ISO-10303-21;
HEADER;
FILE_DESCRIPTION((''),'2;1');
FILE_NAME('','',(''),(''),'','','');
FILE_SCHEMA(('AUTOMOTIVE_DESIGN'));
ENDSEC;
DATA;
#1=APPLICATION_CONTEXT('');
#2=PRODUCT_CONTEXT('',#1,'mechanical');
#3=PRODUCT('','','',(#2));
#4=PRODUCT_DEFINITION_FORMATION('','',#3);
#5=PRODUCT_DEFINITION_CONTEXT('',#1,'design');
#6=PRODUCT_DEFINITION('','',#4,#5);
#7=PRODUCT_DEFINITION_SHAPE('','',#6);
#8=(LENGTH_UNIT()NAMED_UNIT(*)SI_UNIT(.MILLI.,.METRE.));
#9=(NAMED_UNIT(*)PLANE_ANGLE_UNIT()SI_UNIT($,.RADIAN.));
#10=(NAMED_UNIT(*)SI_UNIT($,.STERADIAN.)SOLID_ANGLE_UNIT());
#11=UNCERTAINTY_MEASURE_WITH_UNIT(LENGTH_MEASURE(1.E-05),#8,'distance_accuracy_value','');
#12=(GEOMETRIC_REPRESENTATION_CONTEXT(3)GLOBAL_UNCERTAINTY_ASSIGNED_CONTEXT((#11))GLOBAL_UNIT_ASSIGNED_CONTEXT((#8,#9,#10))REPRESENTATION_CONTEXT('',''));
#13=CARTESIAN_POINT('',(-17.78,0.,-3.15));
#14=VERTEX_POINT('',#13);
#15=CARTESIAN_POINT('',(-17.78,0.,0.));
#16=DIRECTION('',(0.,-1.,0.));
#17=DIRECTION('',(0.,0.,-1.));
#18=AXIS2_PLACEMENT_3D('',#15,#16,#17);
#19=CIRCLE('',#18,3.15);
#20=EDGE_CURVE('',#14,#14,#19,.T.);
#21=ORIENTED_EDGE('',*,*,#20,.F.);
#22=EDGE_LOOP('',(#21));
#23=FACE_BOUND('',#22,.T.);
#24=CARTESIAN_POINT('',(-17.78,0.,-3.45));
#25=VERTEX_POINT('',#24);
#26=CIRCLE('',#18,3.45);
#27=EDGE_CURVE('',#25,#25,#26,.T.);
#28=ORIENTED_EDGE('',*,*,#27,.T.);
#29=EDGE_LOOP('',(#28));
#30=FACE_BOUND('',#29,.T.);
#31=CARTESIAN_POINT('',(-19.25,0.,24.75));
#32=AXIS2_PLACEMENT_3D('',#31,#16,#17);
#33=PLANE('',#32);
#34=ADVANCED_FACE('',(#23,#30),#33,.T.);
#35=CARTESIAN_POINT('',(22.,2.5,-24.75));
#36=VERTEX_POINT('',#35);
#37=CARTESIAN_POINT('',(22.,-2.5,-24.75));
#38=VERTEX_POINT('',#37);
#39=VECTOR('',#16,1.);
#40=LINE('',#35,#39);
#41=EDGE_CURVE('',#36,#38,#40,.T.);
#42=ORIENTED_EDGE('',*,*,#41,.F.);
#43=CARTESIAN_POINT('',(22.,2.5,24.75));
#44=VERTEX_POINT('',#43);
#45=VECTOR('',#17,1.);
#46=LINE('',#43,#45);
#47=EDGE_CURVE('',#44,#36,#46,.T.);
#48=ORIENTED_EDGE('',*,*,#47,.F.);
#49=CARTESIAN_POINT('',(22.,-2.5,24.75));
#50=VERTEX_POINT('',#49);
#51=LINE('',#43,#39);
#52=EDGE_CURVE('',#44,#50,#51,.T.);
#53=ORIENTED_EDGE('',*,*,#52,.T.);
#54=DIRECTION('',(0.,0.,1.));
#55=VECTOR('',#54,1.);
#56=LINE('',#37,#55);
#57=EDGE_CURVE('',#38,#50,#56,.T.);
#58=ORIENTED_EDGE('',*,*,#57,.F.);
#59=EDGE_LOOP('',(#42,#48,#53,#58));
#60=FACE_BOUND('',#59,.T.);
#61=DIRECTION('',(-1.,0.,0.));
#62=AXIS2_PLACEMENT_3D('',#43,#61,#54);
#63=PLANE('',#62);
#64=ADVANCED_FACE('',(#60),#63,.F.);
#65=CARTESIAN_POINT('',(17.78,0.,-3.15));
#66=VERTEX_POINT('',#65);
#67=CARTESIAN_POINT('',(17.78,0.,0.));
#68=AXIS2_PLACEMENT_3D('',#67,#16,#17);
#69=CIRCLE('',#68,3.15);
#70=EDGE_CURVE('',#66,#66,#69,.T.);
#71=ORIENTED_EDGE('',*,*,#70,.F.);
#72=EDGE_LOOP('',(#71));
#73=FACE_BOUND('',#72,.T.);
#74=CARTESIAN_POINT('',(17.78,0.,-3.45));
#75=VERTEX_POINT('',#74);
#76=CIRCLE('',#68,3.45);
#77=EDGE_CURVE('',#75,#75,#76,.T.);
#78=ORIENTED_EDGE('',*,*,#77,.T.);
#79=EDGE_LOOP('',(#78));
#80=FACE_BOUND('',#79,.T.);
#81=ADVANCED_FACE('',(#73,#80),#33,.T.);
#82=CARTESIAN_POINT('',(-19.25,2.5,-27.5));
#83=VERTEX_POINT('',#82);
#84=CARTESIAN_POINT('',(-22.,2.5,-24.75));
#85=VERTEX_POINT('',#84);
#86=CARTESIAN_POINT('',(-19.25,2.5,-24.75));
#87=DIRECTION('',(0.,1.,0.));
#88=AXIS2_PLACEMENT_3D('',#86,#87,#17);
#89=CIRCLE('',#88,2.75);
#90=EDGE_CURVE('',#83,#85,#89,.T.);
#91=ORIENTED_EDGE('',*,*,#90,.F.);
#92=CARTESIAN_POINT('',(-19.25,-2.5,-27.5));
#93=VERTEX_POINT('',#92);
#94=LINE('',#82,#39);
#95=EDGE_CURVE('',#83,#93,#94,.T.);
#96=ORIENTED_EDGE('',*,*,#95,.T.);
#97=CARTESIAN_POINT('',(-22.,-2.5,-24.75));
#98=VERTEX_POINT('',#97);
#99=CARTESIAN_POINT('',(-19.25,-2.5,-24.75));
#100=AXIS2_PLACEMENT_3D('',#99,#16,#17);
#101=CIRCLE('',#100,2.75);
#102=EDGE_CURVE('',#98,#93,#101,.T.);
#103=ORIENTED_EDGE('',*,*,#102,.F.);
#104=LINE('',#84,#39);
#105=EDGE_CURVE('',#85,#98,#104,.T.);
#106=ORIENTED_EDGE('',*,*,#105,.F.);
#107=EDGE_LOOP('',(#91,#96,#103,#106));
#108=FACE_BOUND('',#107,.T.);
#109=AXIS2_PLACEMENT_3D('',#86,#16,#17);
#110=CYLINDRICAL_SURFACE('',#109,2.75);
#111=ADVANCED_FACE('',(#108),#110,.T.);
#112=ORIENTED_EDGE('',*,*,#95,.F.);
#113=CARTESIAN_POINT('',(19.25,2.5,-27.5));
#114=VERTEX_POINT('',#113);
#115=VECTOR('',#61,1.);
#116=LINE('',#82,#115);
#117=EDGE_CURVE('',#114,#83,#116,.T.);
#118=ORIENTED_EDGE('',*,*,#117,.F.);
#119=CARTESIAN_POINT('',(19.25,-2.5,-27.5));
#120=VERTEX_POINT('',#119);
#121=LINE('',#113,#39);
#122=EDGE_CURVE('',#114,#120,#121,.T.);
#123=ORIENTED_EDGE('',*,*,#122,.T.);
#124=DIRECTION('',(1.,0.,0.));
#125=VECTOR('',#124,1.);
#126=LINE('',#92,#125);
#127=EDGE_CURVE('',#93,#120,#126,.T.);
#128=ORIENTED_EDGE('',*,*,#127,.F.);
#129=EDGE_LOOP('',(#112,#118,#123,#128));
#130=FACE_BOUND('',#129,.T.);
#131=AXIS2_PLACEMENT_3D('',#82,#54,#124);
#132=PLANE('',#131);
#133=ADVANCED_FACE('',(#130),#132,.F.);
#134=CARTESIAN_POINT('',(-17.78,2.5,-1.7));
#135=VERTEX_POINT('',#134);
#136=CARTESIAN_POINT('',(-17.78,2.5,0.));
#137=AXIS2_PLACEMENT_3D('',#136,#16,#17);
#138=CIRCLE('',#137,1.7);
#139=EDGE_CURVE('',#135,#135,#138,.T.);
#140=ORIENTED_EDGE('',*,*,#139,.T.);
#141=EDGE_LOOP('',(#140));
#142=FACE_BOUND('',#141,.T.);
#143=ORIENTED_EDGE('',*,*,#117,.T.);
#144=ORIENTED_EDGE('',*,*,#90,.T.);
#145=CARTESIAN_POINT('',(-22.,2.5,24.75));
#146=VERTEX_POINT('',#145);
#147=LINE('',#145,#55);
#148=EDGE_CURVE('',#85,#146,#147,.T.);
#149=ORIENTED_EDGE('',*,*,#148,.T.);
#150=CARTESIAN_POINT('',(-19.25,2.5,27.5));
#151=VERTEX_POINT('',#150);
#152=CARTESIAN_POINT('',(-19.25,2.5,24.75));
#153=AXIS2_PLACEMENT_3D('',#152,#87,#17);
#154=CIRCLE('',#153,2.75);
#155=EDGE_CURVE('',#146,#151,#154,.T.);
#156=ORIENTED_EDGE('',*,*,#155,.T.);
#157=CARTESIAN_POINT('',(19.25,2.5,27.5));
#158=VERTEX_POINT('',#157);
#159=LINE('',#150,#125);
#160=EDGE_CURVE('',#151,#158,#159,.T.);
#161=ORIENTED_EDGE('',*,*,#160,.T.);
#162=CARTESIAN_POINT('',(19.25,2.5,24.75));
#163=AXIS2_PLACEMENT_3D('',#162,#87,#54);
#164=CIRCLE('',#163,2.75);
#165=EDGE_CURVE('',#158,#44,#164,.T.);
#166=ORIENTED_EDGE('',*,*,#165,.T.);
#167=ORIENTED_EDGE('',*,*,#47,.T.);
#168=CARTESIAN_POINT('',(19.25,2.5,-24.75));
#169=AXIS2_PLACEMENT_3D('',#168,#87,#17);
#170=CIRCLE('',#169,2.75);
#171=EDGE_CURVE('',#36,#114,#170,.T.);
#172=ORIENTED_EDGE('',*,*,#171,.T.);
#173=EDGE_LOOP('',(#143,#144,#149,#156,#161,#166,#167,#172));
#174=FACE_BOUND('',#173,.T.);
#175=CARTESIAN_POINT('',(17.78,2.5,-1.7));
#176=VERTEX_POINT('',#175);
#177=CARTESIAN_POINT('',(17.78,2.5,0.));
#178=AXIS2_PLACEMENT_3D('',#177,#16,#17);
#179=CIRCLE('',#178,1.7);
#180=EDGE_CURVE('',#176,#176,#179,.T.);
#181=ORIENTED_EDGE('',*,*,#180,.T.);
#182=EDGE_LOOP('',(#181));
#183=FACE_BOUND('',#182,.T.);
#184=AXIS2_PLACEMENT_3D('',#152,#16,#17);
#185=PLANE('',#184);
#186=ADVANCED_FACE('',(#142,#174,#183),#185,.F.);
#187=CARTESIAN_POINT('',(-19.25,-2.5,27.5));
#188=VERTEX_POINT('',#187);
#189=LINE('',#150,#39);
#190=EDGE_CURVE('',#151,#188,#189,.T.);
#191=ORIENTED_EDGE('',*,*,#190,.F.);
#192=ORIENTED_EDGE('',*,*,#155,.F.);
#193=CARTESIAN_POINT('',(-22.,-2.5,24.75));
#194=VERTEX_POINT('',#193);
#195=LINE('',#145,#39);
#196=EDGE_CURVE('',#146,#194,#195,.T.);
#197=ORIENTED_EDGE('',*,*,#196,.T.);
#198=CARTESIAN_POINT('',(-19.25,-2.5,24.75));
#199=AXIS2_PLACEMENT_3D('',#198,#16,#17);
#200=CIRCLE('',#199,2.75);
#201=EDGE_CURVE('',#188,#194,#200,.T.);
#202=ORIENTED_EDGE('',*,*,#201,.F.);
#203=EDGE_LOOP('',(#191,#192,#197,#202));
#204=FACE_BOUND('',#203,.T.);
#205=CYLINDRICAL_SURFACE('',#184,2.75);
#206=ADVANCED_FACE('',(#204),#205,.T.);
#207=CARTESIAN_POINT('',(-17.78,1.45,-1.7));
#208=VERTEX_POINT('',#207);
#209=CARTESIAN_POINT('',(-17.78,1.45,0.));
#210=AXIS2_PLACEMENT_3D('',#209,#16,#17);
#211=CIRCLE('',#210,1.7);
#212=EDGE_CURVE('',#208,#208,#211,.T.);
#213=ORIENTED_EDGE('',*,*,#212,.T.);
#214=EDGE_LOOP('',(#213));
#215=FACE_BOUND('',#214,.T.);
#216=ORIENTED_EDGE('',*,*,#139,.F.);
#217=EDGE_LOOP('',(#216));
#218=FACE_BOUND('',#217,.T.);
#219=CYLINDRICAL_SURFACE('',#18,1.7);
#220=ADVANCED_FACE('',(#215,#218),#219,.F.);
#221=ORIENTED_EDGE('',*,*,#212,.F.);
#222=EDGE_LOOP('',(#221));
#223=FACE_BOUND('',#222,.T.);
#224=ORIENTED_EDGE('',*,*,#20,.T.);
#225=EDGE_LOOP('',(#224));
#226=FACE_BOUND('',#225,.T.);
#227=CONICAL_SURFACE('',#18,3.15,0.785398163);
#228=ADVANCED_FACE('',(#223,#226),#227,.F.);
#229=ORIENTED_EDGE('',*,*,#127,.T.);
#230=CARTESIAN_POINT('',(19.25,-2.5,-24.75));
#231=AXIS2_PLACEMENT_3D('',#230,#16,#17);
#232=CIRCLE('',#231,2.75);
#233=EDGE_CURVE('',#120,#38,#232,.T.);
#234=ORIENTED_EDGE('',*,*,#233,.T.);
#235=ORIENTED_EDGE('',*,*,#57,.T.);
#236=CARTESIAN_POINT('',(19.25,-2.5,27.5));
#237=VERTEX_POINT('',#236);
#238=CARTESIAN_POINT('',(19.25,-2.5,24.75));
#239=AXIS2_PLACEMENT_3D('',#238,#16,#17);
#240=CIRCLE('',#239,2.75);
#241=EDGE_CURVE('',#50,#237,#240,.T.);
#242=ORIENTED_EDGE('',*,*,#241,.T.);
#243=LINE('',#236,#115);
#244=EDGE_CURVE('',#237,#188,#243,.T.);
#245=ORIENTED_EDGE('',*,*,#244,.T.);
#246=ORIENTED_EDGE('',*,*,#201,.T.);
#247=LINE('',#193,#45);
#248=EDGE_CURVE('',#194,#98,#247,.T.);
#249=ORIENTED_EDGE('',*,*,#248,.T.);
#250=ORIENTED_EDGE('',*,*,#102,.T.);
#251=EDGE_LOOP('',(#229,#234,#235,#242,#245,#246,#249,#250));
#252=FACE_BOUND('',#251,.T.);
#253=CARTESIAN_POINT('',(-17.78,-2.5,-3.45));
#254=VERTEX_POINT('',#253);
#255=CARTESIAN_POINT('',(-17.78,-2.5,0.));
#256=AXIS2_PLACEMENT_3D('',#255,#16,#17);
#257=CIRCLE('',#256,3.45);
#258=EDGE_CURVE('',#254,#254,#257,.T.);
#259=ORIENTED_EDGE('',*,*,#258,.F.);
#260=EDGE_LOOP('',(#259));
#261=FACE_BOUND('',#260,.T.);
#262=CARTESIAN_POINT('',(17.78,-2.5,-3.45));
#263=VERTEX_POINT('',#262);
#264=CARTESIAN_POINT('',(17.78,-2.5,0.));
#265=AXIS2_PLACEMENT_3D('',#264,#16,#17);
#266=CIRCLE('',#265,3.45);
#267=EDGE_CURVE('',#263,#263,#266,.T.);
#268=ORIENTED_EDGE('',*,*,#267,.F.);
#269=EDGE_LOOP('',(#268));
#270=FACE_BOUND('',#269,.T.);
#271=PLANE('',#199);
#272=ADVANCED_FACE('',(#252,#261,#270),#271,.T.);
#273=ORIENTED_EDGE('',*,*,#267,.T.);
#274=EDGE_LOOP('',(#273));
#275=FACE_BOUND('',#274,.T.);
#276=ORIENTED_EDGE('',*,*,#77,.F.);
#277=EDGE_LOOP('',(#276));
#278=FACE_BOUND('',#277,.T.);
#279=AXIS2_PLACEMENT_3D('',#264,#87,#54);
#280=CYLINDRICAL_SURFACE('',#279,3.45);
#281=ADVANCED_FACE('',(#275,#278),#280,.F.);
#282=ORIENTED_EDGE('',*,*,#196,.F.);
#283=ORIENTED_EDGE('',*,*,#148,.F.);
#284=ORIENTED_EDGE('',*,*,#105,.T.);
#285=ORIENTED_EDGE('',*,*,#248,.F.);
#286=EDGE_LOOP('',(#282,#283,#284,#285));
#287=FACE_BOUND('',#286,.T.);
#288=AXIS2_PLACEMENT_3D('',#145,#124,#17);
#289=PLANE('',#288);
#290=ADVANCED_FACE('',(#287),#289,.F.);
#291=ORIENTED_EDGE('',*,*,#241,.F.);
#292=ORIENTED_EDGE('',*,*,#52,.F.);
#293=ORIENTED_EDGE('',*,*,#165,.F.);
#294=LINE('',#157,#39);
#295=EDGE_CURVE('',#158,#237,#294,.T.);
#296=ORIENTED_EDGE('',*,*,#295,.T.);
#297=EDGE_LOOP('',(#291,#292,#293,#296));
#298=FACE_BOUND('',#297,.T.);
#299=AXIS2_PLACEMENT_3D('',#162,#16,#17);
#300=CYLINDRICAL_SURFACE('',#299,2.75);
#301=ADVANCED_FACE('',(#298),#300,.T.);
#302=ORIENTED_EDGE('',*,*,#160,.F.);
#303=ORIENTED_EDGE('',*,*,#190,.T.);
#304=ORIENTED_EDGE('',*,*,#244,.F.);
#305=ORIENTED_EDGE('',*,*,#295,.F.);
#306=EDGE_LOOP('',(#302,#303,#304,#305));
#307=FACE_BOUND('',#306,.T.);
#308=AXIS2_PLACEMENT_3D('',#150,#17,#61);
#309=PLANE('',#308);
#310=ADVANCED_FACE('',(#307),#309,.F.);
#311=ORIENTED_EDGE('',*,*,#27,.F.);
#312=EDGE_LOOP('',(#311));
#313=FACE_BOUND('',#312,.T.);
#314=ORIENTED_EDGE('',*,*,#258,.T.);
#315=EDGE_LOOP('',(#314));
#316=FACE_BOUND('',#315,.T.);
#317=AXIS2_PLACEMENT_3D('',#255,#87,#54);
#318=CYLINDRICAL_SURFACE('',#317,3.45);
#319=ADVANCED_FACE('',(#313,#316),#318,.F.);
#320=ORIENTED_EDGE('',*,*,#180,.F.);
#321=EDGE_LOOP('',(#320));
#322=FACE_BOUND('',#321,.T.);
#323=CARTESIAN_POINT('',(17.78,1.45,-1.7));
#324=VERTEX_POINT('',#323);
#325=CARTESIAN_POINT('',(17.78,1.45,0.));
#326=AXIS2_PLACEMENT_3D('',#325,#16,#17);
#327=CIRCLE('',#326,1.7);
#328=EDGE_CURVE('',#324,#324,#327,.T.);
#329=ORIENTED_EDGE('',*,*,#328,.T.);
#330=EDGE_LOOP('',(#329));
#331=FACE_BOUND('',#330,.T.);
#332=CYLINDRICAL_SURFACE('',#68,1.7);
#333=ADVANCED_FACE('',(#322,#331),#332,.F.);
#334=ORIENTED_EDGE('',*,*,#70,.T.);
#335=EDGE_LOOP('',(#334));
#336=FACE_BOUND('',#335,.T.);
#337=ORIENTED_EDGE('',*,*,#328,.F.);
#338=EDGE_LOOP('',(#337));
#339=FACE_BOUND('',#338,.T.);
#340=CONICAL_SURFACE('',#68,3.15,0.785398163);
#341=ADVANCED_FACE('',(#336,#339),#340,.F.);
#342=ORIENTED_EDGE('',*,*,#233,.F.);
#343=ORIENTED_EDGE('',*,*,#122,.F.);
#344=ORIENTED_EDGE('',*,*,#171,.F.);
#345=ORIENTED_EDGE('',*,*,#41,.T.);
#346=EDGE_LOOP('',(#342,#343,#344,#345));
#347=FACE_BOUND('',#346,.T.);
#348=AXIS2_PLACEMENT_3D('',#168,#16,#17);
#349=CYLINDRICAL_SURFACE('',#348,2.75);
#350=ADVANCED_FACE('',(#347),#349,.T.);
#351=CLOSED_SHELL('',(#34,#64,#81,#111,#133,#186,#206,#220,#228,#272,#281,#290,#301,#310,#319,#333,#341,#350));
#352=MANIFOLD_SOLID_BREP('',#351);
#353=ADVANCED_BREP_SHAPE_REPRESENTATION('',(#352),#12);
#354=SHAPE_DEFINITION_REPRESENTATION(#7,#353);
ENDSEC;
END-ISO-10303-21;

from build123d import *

# Parameters (mm, degrees)
SKETCH1_R                                       = 1.5
BOSS_EXTRUDE1_DEPTH                             = 2.5
CSK_FOR_M3_FLAT_HEAD_MACHINE_SCREW1_D           = 3.4
CSK_FOR_M3_FLAT_HEAD_MACHINE_SCREW1_DEPTH       = 10
CSK_FOR_M3_FLAT_HEAD_MACHINE_SCREW1_CSINK_D     = 6.3
CSK_FOR_M3_FLAT_HEAD_MACHINE_SCREW1_CSINK_ANGLE = 90
CSK_FOR_M3_FLAT_HEAD_MACHINE_SCREW1_TIP         = 1.021463052
BOSS_EXTRUDE2_START                             = 2.5
SKETCH4_R                                       = 3.45
BOSS_EXTRUDE2_DEPTH                             = 2.5


with BuildPart() as part:
    # Sketch1 → Boss-Extrude1 (new body)
    with BuildSketch(Plane(origin=(0, 0, 0), x_dir=(1, 0, 0), z_dir=(0, 1, 0))):
        with BuildLine():
            Line((-19.25, -27.5), (19.25, -27.5))
            ThreePointArc((19.25, -27.5), (21.194543648, -26.694543648), (22, -24.75))
            Line((22, -24.75), (22, 24.75))
            ThreePointArc((22, 24.75), (21.194543648, 26.694543648), (19.25, 27.5))
            Line((19.25, 27.5), (-19.25, 27.5))
            ThreePointArc((-19.25, 27.5), (-21.194543648, 26.694543648), (-22, 24.75))
            Line((-22, 24.75), (-22, -24.75))
            ThreePointArc((-22, -24.75), (-21.194543648, -26.694543648), (-19.25, -27.5))
        make_face()
        with Locations(Location((-17.78, 0, 0), (0, 0, 270))):
            Circle(SKETCH1_R, mode=Mode.SUBTRACT)
        with Locations(Location((17.78, 0, 0), (0, 0, 90))):
            Circle(SKETCH1_R, mode=Mode.SUBTRACT)
    extrude(amount=BOSS_EXTRUDE1_DEPTH)

    # CSK for M3 Flat Head Machine Screw1
    with Locations(Plane(origin=(0, 0, 0), x_dir=(-1, 0, 0), z_dir=(0, -1, 0))):
        with Locations((-17.78, 0), (17.78, 0)):
            CounterSinkHole(CSK_FOR_M3_FLAT_HEAD_MACHINE_SCREW1_D / 2, CSK_FOR_M3_FLAT_HEAD_MACHINE_SCREW1_CSINK_D / 2, depth=CSK_FOR_M3_FLAT_HEAD_MACHINE_SCREW1_DEPTH, counter_sink_angle=CSK_FOR_M3_FLAT_HEAD_MACHINE_SCREW1_CSINK_ANGLE)
            with Locations((0, 0, -(CSK_FOR_M3_FLAT_HEAD_MACHINE_SCREW1_DEPTH + CSK_FOR_M3_FLAT_HEAD_MACHINE_SCREW1_TIP / 2))):  # 118° drill point
                Cone(0, CSK_FOR_M3_FLAT_HEAD_MACHINE_SCREW1_D / 2, CSK_FOR_M3_FLAT_HEAD_MACHINE_SCREW1_TIP, mode=Mode.SUBTRACT)

    # Sketch4 → Boss-Extrude2 (add)
    with BuildSketch(Plane.XZ.offset(BOSS_EXTRUDE2_START)):
        with BuildLine():
            Line((-22, 24.75), (-22, -24.75))
            ThreePointArc((-22, -24.75), (-21.194543648, -26.694543648), (-19.25, -27.5))
            Line((-19.25, -27.5), (19.25, -27.5))
            ThreePointArc((19.25, -27.5), (21.194543648, -26.694543648), (22, -24.75))
            Line((22, -24.75), (22, 24.75))
            ThreePointArc((22, 24.75), (21.194543648, 26.694543648), (19.25, 27.5))
            Line((19.25, 27.5), (-19.25, 27.5))
            ThreePointArc((-19.25, 27.5), (-21.194543648, 26.694543648), (-22, 24.75))
        make_face()
        with Locations(Location((-17.78, 0, 0), (0, 0, 270))):
            Circle(SKETCH4_R, mode=Mode.SUBTRACT)
        with Locations(Location((17.78, 0, 0), (0, 0, 270))):
            Circle(SKETCH4_R, mode=Mode.SUBTRACT)
    extrude(amount=-BOSS_EXTRUDE2_DEPTH)


solid = part.part
